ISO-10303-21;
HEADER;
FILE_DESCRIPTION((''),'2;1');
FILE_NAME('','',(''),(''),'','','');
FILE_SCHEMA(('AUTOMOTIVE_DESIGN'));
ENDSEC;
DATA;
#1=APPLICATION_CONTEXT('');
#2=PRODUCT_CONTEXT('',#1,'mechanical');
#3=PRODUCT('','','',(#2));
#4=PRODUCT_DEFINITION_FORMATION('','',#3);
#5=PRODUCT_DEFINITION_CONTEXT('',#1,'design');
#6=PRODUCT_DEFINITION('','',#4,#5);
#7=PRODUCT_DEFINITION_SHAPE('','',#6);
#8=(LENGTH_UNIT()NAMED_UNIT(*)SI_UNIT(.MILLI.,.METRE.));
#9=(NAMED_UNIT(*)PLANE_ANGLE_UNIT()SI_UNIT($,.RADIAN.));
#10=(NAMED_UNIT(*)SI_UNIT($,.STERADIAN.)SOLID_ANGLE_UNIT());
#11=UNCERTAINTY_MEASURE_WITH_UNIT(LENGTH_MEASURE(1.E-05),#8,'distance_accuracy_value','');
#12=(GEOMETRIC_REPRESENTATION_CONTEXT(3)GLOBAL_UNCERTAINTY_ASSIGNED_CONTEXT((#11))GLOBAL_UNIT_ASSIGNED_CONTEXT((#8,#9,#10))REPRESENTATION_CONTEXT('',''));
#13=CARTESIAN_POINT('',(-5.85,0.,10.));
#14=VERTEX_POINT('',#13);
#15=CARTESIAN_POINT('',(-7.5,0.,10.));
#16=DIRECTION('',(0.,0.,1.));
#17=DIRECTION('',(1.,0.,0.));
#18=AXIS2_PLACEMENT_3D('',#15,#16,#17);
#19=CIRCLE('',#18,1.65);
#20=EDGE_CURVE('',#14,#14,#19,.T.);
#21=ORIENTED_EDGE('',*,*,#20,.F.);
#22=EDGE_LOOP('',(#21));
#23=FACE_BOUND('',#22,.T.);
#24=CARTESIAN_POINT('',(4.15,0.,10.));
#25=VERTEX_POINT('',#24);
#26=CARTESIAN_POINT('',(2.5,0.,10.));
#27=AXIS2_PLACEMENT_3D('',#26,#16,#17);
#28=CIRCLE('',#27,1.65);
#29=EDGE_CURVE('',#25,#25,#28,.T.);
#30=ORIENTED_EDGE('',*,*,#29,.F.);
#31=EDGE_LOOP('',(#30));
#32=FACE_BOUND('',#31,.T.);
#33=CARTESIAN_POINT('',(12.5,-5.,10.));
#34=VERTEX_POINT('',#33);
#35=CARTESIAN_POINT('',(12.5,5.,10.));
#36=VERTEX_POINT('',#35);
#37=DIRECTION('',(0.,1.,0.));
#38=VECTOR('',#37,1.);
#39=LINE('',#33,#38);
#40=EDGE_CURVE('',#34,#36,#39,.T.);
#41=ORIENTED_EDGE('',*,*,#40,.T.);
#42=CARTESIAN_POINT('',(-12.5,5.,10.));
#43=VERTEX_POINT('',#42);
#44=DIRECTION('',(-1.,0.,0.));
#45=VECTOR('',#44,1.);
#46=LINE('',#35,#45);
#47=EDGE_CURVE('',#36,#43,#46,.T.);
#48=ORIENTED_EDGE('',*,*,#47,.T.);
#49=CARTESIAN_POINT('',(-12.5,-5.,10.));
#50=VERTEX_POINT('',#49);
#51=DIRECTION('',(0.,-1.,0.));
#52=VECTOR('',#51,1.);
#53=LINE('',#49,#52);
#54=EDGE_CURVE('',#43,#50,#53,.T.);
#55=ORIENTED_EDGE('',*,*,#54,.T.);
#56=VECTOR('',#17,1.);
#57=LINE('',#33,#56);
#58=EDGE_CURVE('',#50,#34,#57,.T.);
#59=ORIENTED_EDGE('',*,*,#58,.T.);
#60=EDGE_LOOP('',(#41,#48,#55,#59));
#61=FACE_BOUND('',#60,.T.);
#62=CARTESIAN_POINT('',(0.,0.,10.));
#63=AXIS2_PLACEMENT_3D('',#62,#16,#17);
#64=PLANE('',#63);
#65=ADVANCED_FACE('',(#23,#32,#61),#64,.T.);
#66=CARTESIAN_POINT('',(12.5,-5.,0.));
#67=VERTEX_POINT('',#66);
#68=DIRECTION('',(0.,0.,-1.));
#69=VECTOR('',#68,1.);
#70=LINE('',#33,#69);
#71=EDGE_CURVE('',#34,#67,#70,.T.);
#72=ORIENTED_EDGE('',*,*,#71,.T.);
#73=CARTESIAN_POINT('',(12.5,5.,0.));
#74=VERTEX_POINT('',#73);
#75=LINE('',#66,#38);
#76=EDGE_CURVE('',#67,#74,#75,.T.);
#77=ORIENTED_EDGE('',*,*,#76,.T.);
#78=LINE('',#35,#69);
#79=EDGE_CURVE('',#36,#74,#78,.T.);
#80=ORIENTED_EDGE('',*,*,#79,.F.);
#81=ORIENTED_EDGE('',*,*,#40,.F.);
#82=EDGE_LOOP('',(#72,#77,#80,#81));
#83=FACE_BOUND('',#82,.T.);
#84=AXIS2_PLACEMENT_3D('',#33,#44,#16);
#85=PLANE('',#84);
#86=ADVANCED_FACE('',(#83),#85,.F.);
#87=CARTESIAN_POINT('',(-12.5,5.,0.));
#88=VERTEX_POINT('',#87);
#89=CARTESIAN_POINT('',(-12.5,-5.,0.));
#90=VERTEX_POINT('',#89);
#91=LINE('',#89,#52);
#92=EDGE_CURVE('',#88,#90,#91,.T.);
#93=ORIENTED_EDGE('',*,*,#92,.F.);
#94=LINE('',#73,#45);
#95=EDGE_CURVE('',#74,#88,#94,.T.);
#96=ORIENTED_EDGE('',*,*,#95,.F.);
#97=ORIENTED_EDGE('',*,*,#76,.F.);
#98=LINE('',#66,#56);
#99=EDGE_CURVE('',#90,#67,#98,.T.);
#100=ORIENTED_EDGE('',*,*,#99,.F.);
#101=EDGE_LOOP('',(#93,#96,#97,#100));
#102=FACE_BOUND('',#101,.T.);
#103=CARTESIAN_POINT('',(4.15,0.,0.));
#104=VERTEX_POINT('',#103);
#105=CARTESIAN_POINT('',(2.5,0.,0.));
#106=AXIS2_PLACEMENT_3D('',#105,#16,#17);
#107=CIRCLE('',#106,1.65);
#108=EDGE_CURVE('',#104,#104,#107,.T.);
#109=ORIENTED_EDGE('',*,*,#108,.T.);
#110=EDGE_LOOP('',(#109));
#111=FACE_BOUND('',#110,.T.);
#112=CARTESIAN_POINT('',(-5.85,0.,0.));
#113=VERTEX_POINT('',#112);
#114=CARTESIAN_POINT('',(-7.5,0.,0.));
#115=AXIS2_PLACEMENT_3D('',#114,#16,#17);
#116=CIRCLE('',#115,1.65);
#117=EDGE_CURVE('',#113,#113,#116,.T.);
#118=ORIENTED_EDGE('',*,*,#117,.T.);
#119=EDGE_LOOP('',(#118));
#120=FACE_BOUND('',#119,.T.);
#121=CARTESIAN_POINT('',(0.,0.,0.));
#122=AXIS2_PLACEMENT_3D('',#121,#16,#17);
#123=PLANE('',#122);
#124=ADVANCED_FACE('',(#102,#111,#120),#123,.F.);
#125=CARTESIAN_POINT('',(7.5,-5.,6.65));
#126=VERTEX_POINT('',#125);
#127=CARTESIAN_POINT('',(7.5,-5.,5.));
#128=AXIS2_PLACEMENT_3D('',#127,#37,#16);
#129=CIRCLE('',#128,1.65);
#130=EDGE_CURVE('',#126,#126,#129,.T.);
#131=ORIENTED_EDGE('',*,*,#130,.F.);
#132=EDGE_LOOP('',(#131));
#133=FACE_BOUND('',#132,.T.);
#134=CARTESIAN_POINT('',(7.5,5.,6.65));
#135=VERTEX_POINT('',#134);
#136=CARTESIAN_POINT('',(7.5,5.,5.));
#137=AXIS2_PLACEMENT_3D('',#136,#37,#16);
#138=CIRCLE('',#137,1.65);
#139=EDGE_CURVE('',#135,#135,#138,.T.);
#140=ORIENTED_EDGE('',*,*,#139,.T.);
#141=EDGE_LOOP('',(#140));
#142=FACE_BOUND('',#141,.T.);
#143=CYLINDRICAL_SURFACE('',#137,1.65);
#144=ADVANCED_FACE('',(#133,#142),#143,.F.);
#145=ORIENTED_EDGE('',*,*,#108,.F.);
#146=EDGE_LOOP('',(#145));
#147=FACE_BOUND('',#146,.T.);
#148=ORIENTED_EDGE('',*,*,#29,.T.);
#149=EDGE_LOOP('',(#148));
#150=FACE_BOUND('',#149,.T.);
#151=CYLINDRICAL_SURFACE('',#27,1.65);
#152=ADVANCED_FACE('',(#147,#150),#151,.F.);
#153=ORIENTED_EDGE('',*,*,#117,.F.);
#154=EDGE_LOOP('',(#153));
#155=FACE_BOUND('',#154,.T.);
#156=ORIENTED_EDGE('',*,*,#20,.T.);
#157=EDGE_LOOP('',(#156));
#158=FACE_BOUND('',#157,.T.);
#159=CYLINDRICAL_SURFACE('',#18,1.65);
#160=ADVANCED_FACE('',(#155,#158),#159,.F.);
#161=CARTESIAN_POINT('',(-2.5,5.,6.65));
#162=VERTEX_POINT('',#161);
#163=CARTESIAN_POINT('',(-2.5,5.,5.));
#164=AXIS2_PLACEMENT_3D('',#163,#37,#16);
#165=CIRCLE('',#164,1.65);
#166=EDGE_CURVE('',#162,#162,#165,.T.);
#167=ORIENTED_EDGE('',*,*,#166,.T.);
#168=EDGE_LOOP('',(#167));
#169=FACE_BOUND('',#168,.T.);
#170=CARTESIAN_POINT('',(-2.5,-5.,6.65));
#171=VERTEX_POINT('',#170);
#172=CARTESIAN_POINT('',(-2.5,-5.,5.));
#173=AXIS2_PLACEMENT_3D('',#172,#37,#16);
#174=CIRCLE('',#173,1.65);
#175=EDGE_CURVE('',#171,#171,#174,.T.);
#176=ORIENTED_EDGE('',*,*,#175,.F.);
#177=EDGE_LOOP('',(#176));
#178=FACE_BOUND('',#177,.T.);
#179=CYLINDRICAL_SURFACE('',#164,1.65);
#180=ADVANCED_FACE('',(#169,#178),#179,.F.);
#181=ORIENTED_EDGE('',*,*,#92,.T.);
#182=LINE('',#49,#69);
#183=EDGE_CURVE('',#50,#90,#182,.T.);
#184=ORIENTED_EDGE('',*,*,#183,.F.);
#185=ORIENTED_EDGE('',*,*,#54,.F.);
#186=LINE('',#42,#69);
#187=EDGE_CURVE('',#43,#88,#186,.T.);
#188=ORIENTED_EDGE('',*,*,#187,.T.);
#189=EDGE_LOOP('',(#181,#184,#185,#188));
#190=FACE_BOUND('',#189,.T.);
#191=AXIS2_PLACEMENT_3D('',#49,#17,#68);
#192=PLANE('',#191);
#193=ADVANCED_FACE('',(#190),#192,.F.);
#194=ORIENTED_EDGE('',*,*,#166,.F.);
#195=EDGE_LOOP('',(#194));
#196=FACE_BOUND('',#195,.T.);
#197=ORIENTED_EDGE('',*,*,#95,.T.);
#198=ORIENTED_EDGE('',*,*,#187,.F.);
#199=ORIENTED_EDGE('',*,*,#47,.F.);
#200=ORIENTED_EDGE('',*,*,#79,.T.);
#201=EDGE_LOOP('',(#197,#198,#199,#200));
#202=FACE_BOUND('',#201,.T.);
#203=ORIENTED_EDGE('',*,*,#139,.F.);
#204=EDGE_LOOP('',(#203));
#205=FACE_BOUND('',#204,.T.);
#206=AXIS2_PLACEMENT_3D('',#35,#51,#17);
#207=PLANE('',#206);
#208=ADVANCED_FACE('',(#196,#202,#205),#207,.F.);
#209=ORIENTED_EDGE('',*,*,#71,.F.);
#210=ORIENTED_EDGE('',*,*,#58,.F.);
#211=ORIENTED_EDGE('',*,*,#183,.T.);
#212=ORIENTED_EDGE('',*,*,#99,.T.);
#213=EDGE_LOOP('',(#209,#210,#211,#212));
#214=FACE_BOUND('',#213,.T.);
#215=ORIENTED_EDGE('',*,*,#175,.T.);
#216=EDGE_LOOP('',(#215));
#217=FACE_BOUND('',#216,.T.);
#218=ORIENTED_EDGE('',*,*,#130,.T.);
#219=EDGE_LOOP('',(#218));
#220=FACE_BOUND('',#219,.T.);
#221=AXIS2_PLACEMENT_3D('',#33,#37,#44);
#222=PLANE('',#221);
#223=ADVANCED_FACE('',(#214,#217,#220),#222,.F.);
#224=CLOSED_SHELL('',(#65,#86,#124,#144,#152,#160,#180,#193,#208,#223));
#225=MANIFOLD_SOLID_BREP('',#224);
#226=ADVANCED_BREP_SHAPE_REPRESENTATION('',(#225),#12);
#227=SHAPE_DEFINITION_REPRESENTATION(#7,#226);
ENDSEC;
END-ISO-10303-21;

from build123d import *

# Parameters (mm, degrees)
SKETCH_1_W                   = 25
SKETCH_1_H                   = 10
EXTRUDE_1_DEPTH              = 10
HOLE_WIZARD_M4_1_D           = 3.3
HOLE_WIZARD_M4_1_ON_FACE_2_D = 3.3


with BuildPart() as part:
    # 草图1 → 凸台-拉伸1 (new body)
    with BuildSketch(Plane.XY):
        Rectangle(SKETCH_1_W, SKETCH_1_H)
    extrude(amount=EXTRUDE_1_DEPTH)

    # M4 螺纹孔的螺纹孔钻头1 (through all)
    with Locations(Plane(origin=(-2.5, 5, 5), x_dir=(1, 0, 0), z_dir=(0, 1, 0))):
        with Locations((0, 0), (10, 0)):
            Hole(HOLE_WIZARD_M4_1_D / 2)

    # M4 螺纹孔的螺纹孔钻头1 on face 2 (through all)
    with Locations(Plane(origin=(2.5, 0, 10), x_dir=(1, 0, 0), z_dir=(0, 0, 1))):
        with Locations((0, 0), (-10, 0)):
            Hole(HOLE_WIZARD_M4_1_ON_FACE_2_D / 2)


solid = part.part
